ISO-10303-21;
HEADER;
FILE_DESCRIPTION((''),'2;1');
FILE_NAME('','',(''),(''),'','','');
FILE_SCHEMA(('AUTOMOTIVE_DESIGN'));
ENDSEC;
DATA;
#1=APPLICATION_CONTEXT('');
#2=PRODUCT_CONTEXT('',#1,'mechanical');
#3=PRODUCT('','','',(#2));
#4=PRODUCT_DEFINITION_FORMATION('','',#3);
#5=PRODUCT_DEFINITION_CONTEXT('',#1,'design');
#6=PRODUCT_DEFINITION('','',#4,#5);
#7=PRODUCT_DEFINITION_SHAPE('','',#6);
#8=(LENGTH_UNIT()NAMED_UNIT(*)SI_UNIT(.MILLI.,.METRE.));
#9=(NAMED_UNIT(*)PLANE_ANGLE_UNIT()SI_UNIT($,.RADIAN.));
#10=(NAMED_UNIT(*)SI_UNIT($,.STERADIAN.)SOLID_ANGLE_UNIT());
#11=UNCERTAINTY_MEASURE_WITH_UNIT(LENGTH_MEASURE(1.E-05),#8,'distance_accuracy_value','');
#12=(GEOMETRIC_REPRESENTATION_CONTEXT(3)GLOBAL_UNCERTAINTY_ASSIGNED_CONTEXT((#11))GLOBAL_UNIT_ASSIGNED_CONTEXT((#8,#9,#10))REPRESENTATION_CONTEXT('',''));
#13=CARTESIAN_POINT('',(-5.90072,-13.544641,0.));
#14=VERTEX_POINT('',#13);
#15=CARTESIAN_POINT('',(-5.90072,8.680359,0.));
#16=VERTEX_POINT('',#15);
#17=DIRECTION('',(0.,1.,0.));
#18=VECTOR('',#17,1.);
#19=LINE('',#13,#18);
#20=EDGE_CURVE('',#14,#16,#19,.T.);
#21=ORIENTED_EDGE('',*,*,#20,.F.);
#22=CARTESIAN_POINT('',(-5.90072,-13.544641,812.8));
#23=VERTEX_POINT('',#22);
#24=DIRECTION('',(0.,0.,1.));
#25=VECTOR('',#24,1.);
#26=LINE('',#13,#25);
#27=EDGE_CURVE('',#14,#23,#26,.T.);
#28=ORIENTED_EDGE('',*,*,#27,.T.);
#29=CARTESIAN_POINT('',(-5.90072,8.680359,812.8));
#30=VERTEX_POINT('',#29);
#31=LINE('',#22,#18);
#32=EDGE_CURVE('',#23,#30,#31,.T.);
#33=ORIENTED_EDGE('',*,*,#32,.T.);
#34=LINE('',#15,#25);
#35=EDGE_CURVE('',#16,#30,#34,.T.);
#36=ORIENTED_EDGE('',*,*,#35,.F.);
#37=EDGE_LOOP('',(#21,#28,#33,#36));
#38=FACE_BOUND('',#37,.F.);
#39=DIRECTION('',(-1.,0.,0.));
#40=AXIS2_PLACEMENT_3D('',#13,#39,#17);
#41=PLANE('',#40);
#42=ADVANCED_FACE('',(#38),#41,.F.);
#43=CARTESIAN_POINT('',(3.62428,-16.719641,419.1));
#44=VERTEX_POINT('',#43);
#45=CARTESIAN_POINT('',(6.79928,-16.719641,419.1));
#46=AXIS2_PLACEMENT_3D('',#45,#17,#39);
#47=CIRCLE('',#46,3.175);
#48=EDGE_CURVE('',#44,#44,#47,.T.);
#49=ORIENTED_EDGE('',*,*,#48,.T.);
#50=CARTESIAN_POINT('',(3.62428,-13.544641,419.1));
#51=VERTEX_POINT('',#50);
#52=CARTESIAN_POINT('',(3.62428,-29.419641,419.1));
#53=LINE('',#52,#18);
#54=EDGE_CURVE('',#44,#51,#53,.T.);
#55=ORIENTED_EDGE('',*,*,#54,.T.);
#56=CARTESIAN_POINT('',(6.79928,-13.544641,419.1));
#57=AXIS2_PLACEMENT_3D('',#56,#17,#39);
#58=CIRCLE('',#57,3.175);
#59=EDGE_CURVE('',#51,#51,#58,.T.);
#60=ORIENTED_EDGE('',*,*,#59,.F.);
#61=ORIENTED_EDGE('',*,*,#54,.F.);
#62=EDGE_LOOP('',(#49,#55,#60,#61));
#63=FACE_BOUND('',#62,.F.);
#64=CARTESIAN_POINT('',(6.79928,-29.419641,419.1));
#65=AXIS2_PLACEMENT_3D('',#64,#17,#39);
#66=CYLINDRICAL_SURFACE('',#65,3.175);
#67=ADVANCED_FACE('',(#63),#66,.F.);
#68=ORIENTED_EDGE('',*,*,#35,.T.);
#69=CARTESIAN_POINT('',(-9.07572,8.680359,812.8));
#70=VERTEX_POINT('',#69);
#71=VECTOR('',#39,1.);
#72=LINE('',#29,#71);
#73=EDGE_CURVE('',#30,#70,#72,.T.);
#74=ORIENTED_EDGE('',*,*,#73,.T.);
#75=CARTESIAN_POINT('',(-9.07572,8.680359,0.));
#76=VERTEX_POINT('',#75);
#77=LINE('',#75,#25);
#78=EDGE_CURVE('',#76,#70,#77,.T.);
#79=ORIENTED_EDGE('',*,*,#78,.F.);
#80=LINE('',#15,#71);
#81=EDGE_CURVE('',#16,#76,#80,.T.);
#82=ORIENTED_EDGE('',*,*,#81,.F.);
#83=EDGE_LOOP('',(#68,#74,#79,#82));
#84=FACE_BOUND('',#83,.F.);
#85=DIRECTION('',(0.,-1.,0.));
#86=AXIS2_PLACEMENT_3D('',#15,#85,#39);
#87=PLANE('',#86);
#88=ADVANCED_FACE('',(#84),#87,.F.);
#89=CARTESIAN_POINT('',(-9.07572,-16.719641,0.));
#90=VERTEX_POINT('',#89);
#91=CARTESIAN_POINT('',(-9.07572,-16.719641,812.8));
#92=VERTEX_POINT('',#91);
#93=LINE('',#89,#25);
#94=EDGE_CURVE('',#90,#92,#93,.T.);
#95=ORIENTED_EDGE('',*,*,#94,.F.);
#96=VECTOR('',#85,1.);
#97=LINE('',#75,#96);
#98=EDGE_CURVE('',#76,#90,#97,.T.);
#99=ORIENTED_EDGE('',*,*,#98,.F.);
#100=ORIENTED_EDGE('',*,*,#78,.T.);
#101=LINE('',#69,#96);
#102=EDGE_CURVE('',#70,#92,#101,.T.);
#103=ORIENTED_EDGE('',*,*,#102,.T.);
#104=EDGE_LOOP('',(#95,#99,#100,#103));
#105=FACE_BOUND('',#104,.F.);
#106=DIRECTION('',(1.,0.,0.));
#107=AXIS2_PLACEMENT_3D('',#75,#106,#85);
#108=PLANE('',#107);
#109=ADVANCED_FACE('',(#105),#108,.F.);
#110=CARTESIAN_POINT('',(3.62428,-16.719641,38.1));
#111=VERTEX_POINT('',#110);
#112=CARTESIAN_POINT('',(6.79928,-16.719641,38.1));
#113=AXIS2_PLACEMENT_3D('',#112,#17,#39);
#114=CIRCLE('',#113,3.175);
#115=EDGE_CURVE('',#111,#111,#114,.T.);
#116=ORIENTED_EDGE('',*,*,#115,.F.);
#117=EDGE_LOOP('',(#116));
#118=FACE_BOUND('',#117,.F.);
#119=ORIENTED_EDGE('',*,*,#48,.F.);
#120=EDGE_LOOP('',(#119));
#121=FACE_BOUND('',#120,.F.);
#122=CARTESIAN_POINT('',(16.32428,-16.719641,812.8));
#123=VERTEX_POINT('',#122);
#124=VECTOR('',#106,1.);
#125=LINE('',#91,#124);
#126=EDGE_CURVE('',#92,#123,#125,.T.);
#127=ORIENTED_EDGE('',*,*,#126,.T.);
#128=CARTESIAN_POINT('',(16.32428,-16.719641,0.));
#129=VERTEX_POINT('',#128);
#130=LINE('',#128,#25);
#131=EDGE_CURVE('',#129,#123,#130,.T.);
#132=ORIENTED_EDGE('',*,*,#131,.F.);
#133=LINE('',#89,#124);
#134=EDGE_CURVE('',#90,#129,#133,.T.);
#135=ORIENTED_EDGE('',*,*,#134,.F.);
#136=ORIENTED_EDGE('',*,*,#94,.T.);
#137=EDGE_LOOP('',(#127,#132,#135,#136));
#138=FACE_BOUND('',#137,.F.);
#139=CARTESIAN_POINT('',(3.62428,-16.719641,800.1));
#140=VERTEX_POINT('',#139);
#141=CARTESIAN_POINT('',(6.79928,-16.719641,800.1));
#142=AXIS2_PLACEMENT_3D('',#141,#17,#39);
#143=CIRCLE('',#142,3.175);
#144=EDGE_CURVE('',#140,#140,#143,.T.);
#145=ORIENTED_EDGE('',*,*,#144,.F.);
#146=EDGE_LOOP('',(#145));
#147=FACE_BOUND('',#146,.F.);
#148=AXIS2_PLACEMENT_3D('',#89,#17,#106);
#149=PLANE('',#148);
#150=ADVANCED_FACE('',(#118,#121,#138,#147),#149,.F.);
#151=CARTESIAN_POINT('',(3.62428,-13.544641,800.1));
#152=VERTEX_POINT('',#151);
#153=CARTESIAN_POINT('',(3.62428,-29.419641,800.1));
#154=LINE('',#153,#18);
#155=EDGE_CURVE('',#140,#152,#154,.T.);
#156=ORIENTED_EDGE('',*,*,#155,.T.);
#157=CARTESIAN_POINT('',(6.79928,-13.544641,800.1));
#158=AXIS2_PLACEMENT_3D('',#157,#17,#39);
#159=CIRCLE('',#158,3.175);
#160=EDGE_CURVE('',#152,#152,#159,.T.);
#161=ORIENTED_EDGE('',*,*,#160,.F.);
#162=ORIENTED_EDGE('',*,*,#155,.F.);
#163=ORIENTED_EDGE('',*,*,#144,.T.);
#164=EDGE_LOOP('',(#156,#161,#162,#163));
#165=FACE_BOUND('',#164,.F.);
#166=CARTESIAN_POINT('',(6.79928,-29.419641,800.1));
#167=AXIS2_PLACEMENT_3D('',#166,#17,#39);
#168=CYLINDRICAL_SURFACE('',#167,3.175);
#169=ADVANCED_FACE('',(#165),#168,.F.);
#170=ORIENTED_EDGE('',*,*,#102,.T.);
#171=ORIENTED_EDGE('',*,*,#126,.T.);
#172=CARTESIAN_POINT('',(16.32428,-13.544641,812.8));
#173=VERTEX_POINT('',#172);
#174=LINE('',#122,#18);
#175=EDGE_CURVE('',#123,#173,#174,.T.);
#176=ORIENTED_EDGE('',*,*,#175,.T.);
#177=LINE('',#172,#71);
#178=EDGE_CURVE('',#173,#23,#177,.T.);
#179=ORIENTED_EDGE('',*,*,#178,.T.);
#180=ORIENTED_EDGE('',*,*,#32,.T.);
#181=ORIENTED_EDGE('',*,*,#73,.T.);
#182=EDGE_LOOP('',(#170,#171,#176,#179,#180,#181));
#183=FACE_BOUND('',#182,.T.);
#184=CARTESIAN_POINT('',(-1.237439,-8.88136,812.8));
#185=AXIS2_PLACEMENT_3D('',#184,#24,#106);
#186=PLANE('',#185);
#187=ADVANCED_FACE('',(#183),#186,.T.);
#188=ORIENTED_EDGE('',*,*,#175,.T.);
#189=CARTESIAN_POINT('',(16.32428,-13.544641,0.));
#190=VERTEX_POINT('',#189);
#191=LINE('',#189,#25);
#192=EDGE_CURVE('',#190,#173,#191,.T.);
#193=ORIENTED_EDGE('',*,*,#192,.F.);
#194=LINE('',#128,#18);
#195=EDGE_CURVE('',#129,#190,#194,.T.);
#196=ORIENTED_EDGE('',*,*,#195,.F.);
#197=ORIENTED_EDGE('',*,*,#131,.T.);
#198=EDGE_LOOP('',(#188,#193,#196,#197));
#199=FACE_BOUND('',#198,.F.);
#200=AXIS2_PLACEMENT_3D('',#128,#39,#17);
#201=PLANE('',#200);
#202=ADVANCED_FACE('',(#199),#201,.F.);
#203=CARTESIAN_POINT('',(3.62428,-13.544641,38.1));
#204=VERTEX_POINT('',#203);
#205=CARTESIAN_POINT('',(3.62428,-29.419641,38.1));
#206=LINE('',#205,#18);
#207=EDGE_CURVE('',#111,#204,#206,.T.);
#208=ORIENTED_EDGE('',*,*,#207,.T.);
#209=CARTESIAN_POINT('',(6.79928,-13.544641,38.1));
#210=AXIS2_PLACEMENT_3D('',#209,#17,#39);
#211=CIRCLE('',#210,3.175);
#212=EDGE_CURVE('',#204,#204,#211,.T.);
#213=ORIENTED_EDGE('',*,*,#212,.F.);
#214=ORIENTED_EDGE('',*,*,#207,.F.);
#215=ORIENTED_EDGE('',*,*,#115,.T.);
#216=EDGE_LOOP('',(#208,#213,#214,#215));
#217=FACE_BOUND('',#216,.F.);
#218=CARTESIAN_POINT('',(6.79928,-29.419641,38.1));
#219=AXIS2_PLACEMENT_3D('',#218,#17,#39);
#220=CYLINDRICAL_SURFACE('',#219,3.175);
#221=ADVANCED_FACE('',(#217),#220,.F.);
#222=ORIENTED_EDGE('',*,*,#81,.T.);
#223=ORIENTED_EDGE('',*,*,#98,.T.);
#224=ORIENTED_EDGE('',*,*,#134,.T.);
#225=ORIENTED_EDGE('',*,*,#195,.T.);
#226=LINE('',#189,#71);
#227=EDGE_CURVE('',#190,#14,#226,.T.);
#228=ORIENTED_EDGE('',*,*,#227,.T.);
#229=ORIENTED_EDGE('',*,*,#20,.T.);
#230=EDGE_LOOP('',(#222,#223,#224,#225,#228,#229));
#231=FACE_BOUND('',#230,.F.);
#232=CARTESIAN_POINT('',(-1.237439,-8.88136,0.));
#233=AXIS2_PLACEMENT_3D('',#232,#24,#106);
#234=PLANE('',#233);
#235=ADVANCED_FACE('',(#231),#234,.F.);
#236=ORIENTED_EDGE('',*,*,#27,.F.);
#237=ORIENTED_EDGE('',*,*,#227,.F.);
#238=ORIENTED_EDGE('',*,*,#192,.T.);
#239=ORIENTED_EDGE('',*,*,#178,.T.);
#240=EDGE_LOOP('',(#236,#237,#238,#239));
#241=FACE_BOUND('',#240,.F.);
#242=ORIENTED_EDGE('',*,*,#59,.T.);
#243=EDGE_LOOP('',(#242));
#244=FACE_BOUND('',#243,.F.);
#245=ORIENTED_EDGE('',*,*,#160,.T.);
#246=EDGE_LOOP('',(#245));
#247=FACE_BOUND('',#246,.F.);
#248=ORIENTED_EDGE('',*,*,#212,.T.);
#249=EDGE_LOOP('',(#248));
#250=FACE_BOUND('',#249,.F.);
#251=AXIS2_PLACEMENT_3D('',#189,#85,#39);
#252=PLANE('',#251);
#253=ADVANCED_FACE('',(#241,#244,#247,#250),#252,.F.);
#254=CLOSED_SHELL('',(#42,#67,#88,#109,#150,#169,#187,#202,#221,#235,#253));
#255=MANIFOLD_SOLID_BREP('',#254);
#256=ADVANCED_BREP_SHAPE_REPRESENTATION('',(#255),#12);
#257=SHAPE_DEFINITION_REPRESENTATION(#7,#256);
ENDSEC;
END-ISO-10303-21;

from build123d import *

# Parameters (mm, degrees)
F1_DEPTH = 812.8
F3_D     = 6.35
F3_DEPTH = 12.7


with BuildPart() as f1:
    # F0 (on Top) → F1 (new body)
    with BuildSketch(Plane.XY):
        Polygon((-5.90072, 8.680359), (-9.07572, 8.680359), (-9.07572, -16.719641), (16.32428, -16.719641), (16.32428, -13.544641), (-5.90072, -13.544641), align=None)
    extrude(amount=F1_DEPTH)

    # F3
    with Locations(Plane.XZ.offset(16.719641)):
        with Locations((6.79928, 800.1), (6.79928, 419.1), (6.79928, 38.1)):
            Hole(F3_D / 2, depth=F3_DEPTH)


solid = f1.part
